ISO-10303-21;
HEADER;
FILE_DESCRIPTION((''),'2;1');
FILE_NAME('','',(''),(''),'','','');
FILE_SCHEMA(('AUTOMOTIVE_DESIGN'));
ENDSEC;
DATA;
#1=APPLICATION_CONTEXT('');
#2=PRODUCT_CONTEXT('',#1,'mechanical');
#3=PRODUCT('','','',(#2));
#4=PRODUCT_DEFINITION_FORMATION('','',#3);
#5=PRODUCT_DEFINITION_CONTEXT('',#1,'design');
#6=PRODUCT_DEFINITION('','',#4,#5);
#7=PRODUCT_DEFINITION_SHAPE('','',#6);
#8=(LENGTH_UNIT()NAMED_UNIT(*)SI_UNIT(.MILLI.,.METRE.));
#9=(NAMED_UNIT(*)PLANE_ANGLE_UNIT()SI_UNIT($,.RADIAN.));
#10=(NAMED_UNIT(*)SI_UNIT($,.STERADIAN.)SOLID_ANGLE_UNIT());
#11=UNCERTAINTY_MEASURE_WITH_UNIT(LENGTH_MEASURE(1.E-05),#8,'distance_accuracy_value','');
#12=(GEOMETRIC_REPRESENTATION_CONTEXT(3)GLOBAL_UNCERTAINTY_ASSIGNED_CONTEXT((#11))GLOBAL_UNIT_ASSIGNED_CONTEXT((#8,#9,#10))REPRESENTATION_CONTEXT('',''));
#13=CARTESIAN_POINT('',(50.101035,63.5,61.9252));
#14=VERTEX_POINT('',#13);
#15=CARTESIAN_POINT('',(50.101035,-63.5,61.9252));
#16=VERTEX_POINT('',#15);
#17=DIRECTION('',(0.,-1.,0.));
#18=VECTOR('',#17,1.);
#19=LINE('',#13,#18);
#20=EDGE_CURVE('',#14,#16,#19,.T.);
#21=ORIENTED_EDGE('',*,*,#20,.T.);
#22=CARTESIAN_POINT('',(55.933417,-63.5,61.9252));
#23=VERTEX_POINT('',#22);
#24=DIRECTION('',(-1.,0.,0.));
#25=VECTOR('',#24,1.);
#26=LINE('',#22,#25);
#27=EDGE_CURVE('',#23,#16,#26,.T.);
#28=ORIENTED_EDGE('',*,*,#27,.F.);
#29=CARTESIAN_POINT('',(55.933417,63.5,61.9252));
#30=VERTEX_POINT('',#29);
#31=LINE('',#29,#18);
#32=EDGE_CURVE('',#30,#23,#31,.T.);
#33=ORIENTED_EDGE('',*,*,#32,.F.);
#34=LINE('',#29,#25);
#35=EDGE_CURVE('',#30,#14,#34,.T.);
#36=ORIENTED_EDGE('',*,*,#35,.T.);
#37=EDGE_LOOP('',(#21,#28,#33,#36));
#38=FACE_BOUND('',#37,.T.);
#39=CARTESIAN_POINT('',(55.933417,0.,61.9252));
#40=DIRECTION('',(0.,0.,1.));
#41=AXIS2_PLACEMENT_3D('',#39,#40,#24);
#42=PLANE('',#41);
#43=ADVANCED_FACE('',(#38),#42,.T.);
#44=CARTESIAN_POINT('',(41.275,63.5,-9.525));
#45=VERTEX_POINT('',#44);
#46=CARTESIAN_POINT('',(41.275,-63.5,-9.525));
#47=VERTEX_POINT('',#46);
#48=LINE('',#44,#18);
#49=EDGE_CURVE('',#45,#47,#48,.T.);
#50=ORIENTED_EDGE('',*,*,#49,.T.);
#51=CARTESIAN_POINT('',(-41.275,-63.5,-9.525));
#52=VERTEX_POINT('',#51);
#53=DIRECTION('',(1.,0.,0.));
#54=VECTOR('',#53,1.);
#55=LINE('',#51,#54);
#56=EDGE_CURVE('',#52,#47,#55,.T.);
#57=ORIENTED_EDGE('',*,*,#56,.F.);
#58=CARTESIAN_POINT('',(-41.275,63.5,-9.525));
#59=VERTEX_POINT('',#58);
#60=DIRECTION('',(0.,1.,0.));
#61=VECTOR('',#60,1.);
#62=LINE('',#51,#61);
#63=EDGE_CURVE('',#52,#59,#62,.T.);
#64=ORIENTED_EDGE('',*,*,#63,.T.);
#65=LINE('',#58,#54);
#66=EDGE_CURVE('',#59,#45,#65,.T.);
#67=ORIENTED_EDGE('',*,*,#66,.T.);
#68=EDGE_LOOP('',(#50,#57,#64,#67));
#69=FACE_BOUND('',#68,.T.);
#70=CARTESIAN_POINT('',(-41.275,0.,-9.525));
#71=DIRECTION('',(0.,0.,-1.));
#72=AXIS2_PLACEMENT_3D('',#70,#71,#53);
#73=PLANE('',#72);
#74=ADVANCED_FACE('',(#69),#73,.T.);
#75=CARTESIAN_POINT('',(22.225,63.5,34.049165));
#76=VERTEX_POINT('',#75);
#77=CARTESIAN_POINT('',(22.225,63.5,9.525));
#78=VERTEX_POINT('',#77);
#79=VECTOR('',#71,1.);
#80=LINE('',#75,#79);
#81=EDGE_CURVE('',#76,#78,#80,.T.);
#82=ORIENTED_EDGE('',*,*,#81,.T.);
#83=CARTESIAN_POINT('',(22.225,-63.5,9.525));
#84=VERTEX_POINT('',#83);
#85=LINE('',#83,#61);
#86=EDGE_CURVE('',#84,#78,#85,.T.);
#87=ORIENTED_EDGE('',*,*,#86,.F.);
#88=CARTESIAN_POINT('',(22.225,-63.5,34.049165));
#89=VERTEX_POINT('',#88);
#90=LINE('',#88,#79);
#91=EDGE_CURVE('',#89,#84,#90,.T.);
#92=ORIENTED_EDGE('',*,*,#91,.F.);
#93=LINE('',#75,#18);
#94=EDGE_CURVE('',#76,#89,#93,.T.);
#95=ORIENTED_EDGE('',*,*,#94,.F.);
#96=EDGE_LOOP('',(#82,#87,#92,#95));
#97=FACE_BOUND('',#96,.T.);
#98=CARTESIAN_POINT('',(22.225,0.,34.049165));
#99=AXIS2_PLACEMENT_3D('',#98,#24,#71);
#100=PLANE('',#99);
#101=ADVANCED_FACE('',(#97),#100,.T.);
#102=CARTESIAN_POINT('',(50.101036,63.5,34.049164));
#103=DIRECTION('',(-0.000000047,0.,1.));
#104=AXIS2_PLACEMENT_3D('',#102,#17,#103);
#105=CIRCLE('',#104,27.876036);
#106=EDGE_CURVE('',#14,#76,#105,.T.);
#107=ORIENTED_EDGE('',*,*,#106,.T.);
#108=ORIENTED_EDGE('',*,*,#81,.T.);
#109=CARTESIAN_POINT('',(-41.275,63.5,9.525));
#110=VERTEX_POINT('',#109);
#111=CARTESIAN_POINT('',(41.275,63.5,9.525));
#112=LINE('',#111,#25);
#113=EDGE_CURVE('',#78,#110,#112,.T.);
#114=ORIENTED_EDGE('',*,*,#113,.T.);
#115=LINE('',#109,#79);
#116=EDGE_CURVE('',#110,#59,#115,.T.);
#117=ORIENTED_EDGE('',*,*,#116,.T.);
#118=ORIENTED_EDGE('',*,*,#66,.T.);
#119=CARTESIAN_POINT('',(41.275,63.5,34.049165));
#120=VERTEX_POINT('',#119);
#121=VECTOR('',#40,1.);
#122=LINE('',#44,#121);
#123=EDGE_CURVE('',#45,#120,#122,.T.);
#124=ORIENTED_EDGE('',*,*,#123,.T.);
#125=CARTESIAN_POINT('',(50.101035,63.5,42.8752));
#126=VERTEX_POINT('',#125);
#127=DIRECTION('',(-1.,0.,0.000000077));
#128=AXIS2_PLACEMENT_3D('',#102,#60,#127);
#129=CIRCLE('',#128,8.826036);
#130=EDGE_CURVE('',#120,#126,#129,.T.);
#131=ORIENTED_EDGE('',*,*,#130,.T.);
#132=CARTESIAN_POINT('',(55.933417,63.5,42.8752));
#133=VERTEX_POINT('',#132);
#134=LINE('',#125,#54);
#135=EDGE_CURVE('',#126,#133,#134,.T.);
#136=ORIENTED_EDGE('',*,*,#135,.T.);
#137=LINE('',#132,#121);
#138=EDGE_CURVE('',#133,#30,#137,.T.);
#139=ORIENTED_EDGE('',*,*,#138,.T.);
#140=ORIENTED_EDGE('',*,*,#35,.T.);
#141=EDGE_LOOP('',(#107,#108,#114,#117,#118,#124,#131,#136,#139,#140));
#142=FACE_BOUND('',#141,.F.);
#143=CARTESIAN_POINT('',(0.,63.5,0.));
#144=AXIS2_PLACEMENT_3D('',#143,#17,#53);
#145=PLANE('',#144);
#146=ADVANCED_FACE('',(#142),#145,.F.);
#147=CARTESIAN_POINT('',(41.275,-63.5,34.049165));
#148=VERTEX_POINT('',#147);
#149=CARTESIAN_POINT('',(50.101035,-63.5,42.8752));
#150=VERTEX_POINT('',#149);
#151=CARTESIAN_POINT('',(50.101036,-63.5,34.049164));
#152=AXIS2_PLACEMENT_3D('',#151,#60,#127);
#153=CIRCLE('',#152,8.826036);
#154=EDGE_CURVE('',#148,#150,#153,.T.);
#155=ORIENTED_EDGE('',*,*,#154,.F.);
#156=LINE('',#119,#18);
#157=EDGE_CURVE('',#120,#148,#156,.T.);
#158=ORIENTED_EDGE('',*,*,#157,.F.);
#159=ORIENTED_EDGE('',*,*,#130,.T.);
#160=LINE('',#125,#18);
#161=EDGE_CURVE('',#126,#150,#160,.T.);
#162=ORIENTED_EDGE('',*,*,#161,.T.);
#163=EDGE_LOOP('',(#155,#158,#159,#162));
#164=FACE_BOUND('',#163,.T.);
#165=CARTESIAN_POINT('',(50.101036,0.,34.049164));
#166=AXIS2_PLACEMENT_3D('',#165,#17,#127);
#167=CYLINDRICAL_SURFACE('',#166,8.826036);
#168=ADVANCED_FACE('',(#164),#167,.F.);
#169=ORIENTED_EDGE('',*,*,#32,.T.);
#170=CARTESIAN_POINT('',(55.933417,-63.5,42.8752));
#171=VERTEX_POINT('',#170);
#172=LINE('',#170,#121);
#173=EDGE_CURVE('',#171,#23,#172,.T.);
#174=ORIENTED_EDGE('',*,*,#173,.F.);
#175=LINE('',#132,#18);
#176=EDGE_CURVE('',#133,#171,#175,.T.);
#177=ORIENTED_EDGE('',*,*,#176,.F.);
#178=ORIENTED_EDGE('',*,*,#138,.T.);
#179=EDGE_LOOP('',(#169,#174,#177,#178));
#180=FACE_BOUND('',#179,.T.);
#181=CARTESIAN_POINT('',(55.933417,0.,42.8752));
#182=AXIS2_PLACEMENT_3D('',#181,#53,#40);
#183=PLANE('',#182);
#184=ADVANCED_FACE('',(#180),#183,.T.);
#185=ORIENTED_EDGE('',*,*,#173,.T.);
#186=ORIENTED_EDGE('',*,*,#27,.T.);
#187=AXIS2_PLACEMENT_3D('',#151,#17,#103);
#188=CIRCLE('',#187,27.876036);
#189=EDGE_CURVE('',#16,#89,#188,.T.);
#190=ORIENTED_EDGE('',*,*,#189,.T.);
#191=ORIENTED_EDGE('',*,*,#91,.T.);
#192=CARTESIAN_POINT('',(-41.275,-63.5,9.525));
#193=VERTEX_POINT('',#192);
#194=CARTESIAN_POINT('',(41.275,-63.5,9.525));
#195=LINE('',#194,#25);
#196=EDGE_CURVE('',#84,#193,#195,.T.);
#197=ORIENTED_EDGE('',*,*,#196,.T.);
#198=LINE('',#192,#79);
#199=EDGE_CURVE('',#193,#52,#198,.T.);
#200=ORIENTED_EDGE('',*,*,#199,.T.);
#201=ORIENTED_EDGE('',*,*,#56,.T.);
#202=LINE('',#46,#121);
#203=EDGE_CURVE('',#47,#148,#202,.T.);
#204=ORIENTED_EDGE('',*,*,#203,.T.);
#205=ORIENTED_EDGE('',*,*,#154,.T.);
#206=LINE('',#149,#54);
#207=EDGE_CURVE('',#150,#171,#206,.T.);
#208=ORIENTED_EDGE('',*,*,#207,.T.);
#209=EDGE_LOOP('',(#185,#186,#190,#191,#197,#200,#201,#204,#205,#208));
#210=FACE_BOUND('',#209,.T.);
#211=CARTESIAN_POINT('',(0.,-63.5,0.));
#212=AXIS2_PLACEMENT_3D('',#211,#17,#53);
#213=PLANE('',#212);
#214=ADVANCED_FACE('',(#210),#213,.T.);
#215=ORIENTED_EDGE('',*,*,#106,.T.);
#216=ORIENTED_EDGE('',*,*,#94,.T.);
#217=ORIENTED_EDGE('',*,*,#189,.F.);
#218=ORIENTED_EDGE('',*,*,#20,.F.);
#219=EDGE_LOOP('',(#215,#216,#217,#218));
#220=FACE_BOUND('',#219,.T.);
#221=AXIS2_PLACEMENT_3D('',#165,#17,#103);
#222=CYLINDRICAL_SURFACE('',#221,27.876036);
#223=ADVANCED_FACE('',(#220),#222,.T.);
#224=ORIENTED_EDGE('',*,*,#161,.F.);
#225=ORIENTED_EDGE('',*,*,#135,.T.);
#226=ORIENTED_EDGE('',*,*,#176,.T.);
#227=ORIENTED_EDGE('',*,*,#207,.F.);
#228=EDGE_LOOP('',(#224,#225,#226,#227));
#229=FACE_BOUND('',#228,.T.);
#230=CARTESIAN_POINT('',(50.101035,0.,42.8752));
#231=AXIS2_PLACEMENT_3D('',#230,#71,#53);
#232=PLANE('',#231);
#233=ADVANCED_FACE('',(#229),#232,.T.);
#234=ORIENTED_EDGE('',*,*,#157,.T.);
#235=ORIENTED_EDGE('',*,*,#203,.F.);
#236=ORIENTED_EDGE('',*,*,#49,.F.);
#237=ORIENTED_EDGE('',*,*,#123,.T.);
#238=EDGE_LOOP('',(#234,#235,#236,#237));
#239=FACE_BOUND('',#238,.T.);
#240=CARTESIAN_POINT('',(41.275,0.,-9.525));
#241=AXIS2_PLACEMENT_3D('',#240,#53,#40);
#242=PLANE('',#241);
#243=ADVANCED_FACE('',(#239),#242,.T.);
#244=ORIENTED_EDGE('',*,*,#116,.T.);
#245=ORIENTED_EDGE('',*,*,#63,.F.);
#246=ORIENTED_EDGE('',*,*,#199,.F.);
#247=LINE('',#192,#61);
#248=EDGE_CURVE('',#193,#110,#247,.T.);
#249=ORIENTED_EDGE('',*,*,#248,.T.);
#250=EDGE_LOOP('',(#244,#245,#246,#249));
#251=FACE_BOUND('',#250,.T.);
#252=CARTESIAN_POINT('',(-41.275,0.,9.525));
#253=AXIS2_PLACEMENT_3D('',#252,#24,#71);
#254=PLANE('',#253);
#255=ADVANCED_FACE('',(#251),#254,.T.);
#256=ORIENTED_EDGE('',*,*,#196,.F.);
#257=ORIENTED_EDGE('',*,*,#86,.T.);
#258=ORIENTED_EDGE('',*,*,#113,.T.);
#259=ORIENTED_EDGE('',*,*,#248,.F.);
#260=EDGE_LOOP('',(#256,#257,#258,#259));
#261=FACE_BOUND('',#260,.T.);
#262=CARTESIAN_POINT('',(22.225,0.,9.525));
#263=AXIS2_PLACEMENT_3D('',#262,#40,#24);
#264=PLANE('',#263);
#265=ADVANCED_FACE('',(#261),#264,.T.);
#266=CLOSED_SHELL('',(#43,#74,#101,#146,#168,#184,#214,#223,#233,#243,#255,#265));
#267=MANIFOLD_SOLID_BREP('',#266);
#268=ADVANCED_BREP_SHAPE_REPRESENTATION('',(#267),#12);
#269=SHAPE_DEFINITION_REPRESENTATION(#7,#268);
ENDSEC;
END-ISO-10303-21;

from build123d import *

# Parameters (mm, degrees)
F1_DEPTH = 63.5


with BuildPart() as f1:
    # F0 (on Front) → F1 (new body, symmetric)
    with BuildSketch(Plane.XZ):
        Polygon((-41.275, -9.525), (41.275, -9.525), (41.275, 9.525), (22.225, 9.525), (-41.275, 9.525), align=None)
        with BuildLine():
            Line((22.225, 9.525), (41.275, 9.525))
            Line((41.275, 9.525), (41.275, 34.049165))
            ThreePointArc((41.275, 34.049165), (43.860086, 40.290114), (50.101035, 42.8752))
            Line((50.101035, 42.8752), (55.933417, 42.8752))
            Line((55.933417, 42.8752), (55.933417, 61.9252))
            Line((55.933417, 61.9252), (50.101035, 61.9252))
            ThreePointArc((50.101035, 61.9252), (30.389702, 53.760498), (22.225, 34.049165))
            Line((22.225, 34.049165), (22.225, 9.525))
        make_face()
    extrude(amount=F1_DEPTH, both=True)


solid = f1.part
